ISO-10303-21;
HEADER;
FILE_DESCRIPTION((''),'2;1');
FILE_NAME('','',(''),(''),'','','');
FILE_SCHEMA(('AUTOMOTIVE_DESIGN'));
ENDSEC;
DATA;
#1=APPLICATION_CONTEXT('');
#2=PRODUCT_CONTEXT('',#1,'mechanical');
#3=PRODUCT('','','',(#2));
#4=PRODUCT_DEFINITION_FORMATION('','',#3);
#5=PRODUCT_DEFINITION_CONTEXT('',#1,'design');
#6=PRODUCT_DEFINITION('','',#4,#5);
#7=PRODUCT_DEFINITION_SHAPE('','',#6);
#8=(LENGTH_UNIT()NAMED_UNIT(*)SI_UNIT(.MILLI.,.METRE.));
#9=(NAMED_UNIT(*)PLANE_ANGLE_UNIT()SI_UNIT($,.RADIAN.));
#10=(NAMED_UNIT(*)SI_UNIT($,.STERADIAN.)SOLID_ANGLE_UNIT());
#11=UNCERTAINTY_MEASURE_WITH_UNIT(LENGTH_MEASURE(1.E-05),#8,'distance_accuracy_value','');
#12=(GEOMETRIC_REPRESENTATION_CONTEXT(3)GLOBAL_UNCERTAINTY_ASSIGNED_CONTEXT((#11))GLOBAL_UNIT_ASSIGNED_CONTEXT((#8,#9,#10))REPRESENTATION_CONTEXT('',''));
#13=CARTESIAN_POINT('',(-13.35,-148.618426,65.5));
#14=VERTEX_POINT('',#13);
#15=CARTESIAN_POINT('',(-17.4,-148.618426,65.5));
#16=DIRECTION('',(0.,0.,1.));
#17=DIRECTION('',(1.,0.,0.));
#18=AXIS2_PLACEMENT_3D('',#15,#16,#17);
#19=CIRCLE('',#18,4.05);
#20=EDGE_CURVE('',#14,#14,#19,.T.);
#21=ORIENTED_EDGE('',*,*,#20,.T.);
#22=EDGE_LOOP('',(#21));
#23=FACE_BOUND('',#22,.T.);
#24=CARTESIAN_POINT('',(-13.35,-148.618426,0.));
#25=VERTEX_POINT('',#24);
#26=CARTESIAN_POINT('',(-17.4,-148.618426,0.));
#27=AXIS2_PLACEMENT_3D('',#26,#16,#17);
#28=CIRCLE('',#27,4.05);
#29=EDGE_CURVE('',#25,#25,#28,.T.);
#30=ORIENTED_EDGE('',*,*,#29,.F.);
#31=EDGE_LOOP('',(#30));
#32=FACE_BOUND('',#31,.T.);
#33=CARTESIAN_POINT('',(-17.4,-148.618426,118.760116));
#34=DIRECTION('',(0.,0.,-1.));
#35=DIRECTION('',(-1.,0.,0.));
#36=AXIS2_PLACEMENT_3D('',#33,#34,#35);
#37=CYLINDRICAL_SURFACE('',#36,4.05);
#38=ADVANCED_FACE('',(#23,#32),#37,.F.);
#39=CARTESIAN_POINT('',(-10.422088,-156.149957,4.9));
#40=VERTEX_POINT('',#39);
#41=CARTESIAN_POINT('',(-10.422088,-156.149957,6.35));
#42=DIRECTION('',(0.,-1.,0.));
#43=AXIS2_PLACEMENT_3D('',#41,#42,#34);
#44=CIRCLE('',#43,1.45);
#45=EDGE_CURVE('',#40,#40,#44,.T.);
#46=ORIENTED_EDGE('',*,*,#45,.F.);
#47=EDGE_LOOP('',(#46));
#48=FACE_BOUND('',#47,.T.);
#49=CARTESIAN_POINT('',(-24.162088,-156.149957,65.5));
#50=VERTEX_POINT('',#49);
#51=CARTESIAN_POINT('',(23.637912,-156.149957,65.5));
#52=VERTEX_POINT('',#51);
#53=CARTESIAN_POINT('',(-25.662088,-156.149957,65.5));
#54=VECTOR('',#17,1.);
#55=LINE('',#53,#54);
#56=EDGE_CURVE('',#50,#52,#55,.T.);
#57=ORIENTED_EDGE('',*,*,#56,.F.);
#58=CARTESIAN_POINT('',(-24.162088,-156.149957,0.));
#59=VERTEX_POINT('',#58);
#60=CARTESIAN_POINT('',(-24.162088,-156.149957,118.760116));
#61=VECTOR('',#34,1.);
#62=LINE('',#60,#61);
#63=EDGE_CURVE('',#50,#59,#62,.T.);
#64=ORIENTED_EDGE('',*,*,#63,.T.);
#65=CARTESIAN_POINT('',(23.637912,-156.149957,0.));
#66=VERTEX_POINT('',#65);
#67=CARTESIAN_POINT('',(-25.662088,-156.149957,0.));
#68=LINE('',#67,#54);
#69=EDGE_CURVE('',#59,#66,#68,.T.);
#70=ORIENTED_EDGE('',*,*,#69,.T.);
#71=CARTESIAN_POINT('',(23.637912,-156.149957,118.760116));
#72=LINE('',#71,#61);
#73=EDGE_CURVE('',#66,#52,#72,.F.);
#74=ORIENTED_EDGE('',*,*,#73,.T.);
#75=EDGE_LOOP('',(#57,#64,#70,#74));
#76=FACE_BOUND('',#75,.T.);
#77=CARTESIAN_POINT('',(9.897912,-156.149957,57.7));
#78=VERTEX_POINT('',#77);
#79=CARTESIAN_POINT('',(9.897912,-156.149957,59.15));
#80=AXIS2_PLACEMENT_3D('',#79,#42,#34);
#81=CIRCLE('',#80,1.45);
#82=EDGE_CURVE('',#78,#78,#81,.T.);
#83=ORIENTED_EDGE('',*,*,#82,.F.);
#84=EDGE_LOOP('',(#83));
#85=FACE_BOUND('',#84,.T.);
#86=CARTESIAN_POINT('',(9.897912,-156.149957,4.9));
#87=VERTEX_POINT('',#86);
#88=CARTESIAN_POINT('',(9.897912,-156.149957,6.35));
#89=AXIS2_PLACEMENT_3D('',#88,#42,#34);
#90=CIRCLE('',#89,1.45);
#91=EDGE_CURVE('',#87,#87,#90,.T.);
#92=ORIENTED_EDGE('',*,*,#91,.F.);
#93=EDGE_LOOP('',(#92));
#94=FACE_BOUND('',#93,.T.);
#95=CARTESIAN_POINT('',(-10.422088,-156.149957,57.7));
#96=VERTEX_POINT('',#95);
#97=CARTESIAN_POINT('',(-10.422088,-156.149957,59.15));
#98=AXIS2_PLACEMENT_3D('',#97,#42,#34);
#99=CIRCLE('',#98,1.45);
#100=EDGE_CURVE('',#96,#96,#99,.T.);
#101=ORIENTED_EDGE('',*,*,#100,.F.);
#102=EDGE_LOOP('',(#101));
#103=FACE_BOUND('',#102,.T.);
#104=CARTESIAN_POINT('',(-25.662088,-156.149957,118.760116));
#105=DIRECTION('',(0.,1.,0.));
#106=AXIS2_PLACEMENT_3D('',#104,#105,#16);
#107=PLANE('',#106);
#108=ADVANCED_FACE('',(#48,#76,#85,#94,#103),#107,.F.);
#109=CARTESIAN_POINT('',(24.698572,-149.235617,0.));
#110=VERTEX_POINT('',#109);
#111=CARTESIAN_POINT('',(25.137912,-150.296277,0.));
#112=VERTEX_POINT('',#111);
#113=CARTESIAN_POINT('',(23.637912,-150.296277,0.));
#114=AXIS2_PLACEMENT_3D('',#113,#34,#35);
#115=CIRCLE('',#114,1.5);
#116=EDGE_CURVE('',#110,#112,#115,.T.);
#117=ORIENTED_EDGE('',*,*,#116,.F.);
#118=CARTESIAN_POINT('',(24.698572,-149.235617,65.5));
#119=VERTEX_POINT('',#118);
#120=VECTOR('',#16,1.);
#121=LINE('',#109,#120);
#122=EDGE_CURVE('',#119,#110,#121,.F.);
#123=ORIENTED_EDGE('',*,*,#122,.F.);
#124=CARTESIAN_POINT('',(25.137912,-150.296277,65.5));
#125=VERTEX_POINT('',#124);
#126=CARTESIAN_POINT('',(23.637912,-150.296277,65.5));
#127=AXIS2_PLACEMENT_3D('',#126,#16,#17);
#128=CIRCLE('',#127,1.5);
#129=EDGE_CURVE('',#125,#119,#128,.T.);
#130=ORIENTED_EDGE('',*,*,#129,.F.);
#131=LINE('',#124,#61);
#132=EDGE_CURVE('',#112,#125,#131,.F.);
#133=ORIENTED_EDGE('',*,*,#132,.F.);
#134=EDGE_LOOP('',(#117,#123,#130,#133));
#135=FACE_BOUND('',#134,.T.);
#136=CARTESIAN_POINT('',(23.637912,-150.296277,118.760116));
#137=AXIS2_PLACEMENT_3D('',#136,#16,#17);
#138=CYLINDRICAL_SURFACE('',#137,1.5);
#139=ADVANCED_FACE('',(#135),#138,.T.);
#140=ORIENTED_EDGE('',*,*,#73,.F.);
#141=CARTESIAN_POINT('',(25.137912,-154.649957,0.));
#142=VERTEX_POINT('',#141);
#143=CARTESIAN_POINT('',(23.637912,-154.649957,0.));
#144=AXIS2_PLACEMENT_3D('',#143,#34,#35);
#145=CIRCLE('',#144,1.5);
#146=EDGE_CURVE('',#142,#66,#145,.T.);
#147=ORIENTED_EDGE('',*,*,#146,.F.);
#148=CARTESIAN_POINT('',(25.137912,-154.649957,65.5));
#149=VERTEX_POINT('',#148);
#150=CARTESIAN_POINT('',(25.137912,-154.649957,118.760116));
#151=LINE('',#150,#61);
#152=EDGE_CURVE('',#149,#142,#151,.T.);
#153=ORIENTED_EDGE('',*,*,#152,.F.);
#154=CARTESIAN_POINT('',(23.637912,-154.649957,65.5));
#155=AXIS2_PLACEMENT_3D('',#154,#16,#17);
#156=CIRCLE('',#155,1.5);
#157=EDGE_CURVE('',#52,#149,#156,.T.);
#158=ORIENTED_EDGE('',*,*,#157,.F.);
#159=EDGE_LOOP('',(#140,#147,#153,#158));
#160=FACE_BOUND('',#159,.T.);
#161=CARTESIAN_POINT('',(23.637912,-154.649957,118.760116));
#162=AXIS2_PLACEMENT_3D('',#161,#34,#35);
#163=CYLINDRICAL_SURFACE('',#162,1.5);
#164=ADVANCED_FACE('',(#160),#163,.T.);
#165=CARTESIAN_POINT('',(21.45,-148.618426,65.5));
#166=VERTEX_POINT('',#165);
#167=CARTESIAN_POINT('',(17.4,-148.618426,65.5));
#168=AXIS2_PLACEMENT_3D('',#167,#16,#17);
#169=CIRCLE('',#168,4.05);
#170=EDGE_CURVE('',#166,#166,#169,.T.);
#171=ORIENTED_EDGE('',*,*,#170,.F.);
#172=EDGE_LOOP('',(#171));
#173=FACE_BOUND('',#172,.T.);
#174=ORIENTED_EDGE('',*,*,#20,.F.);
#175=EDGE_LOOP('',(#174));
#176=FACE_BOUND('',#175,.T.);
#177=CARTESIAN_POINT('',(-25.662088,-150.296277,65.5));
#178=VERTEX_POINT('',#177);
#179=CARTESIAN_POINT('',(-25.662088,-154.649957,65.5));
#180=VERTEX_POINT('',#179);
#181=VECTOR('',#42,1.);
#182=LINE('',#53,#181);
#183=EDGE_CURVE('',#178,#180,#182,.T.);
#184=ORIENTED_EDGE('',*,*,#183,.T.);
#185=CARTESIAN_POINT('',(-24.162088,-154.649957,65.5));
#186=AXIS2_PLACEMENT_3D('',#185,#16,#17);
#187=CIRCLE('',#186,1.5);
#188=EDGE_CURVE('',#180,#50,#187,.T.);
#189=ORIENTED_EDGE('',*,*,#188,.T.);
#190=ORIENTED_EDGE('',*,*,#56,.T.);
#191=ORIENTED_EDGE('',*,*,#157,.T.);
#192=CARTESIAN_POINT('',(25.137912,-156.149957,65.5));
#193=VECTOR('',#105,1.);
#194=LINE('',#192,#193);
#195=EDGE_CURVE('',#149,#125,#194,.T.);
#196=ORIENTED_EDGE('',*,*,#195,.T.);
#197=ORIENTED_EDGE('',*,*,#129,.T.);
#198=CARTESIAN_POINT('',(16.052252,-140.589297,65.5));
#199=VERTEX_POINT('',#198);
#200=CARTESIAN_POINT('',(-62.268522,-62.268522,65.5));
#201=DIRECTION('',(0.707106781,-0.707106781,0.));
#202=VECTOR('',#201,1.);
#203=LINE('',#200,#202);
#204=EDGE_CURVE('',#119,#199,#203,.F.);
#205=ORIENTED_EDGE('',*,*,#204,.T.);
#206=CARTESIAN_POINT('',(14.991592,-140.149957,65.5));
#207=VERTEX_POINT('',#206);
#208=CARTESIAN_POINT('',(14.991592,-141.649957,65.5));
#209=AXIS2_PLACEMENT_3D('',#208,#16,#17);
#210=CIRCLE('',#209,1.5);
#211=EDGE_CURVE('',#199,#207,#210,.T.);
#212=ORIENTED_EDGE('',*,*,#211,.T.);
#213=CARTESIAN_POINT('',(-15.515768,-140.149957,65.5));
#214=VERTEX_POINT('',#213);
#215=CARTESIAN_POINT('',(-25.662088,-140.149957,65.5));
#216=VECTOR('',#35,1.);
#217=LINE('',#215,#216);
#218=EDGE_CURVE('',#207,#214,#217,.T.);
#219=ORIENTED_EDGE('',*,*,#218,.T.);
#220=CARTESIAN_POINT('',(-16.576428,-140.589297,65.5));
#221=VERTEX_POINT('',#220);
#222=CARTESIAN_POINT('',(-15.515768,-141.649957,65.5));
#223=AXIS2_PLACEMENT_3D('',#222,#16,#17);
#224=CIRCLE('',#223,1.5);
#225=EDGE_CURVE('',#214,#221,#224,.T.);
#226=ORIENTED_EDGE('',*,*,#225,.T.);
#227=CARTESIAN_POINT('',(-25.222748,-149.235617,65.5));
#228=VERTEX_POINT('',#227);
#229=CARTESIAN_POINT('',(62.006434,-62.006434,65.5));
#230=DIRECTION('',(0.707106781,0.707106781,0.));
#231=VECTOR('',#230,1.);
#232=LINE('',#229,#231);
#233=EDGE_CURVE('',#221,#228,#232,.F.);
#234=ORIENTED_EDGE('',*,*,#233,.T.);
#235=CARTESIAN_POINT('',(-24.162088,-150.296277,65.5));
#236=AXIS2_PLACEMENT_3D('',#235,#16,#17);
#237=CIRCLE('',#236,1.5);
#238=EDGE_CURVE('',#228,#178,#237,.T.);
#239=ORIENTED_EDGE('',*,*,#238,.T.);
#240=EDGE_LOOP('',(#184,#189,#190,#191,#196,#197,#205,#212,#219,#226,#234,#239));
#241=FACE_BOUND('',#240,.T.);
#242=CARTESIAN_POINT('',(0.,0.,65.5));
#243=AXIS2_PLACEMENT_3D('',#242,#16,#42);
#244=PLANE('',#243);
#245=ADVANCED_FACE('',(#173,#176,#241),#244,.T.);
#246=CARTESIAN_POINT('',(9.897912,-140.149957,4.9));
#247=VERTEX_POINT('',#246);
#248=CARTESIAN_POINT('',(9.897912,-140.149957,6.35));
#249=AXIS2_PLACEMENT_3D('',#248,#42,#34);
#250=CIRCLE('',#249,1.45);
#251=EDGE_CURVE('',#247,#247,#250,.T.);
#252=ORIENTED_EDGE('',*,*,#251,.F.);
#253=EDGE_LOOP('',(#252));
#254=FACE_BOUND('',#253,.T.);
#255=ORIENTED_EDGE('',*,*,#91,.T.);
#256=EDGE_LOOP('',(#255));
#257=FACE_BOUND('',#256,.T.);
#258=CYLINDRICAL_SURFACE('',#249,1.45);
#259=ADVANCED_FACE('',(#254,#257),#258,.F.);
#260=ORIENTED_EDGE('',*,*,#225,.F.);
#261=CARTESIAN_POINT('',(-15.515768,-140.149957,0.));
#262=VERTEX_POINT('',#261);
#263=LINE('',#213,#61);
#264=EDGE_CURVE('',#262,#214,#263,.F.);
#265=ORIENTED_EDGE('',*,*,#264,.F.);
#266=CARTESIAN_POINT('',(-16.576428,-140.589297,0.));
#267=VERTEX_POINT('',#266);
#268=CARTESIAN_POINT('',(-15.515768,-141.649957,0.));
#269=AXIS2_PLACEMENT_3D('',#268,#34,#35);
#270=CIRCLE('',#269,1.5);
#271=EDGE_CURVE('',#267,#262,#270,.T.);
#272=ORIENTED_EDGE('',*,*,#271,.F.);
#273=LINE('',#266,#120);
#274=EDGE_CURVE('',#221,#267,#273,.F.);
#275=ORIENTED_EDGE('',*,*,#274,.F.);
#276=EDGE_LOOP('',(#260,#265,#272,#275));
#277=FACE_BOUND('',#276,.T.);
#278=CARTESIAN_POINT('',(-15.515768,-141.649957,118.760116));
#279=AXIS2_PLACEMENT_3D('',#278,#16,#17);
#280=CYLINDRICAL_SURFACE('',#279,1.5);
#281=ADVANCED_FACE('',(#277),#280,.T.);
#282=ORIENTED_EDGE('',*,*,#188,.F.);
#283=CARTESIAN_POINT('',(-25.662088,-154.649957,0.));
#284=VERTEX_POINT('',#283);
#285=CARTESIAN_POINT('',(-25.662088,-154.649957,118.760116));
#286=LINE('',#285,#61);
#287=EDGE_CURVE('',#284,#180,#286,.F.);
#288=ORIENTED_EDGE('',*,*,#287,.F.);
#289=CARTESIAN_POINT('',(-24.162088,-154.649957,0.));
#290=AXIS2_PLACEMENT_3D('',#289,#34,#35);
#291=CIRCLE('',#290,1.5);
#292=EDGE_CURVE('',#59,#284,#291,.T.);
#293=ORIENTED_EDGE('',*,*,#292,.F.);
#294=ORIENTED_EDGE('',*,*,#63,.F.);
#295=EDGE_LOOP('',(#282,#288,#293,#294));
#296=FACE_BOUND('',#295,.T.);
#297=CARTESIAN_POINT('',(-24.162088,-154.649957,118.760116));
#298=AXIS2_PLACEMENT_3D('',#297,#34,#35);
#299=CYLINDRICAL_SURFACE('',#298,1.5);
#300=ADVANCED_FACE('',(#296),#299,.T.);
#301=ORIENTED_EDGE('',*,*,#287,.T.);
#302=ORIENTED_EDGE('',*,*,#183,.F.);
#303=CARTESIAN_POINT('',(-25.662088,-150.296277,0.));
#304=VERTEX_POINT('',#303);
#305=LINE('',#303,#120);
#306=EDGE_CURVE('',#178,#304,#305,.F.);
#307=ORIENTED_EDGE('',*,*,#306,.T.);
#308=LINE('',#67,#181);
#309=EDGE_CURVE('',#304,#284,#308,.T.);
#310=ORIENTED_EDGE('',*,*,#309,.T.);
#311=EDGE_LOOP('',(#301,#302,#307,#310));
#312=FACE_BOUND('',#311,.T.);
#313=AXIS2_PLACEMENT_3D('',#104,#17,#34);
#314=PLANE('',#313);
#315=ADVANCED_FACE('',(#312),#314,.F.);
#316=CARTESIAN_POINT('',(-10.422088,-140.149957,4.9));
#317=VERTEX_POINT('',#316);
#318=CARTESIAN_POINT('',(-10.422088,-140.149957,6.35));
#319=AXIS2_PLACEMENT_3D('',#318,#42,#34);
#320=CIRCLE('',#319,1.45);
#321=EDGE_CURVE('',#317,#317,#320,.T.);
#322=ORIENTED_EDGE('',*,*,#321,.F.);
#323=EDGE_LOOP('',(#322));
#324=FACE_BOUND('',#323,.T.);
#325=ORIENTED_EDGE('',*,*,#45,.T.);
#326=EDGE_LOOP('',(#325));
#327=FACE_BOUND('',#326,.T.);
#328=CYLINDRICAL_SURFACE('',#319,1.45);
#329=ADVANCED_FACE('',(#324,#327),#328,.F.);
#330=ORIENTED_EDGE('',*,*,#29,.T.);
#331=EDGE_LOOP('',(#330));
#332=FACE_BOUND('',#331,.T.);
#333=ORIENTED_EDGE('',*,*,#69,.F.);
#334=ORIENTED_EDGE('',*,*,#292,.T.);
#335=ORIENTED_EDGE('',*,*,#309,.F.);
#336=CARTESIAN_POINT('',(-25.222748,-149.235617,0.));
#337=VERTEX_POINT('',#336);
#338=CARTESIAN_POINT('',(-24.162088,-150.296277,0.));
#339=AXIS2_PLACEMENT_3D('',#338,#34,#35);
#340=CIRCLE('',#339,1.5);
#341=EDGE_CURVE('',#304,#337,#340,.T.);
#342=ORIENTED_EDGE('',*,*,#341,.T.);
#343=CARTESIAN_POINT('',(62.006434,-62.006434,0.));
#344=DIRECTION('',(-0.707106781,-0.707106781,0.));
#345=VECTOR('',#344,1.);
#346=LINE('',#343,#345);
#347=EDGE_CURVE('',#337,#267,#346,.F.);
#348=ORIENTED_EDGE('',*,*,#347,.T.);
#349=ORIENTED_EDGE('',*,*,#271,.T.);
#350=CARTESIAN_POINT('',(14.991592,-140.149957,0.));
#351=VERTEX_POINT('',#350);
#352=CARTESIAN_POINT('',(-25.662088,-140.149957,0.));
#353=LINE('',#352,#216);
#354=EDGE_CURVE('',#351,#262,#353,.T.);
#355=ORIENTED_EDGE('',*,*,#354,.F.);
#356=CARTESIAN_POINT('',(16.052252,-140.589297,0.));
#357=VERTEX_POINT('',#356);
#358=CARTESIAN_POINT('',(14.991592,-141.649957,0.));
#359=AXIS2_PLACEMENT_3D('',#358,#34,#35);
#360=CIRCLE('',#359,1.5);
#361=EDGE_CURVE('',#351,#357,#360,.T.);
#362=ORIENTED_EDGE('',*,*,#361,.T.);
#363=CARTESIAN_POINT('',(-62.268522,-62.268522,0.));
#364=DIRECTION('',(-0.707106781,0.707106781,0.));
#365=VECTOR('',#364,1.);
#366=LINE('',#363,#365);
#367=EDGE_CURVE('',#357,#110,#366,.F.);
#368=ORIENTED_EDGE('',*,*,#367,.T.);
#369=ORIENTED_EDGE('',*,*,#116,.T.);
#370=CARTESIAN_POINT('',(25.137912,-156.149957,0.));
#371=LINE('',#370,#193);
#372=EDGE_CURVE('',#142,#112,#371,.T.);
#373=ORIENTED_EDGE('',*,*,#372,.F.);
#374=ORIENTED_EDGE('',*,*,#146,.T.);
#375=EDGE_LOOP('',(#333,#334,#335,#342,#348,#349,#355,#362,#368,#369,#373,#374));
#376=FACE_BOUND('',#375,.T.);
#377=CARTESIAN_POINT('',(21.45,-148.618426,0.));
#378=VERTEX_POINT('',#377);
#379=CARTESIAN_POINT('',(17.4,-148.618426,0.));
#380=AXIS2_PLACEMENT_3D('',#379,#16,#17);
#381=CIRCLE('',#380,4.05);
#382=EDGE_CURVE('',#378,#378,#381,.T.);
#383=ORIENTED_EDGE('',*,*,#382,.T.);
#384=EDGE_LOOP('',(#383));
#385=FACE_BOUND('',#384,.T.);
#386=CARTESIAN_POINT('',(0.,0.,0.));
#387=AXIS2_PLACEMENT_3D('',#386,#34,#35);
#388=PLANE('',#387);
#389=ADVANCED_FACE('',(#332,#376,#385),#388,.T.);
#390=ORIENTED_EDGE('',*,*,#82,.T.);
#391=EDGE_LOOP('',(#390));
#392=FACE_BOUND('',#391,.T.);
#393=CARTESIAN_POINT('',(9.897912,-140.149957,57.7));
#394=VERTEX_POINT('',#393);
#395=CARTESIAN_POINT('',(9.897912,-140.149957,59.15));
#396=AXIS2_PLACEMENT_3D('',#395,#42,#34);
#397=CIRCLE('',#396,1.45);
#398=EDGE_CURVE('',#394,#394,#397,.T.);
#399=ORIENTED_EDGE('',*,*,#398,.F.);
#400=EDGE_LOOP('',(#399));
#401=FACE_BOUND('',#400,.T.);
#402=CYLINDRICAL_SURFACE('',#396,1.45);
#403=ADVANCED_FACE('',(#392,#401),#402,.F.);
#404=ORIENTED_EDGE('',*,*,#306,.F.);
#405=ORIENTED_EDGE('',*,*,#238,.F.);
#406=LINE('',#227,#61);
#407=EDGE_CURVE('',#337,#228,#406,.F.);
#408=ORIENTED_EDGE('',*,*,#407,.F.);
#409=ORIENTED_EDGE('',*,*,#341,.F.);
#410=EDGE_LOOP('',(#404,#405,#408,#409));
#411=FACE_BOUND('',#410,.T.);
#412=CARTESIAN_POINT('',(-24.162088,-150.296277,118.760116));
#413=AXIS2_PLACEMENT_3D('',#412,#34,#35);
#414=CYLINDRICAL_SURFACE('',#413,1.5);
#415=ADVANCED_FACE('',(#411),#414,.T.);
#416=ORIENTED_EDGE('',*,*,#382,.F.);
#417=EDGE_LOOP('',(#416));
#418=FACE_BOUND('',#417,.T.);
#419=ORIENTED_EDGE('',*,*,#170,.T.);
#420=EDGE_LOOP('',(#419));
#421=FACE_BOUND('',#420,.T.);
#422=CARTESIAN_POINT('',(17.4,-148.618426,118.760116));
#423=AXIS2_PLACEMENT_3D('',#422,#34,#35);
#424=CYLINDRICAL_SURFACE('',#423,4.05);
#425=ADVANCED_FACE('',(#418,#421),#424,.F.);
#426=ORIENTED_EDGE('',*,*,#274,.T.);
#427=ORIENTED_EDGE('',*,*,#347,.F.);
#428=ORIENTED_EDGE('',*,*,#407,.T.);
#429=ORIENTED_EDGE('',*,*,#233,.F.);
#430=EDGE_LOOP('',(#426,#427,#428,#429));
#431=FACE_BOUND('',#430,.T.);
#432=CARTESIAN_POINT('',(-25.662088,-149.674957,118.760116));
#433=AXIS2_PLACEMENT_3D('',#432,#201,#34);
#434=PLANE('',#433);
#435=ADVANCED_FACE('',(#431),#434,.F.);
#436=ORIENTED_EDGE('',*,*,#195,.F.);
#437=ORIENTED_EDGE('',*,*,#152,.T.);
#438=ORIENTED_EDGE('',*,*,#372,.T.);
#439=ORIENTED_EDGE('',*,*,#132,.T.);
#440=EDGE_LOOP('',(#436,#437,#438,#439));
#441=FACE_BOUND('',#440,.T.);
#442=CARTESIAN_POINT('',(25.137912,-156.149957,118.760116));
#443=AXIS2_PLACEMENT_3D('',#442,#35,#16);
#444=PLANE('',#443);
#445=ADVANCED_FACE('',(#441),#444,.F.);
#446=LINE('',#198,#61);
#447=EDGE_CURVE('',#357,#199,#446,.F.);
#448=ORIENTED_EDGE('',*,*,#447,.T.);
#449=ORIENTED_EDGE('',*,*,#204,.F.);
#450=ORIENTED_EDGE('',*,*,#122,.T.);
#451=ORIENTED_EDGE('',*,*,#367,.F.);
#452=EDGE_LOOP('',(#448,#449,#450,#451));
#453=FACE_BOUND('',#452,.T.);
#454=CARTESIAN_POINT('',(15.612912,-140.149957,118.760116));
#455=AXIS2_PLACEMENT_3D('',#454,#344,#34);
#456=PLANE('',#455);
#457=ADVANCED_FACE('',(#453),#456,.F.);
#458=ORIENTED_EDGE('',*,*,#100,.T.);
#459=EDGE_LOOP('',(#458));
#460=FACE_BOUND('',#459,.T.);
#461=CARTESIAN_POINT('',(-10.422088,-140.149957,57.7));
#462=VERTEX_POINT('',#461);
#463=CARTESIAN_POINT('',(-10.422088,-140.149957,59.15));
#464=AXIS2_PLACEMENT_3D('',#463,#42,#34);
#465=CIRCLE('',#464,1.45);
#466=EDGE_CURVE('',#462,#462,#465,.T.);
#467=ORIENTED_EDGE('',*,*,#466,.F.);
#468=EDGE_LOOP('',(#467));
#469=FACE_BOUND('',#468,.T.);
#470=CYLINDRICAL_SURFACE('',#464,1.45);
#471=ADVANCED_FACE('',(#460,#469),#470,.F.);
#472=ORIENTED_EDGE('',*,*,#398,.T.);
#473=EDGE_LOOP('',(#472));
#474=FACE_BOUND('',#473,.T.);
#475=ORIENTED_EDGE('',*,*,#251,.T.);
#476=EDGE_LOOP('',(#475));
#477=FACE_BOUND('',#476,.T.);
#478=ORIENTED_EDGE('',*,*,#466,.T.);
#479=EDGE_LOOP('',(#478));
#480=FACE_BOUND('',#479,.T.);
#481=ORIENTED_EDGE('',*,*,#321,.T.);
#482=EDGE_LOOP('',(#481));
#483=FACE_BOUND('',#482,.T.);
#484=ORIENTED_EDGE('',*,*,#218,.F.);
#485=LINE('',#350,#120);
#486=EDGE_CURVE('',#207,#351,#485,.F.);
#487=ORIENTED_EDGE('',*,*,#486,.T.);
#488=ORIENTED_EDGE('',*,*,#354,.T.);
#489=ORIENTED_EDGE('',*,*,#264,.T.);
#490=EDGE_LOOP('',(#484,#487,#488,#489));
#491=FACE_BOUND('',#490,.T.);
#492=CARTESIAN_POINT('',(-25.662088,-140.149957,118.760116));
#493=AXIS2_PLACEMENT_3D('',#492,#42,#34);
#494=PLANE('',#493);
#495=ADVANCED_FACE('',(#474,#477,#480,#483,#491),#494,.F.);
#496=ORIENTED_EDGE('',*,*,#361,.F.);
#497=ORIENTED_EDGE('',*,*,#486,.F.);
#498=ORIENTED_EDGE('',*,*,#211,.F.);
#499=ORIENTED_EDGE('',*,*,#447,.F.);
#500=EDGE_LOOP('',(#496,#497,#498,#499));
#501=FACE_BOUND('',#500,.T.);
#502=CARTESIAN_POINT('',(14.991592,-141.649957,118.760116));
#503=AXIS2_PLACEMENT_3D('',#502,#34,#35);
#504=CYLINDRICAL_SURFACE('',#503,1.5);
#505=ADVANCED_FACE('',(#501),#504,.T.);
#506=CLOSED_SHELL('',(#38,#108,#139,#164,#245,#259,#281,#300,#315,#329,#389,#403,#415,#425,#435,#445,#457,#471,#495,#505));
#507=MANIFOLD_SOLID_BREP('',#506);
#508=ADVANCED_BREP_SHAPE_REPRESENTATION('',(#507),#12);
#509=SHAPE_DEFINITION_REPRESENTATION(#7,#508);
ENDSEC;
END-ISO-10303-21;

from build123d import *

# Parameters (mm, degrees)
SKETCH1_W           = 50.8
SKETCH1_H           = 16
SKETCH1_R           = 4.05
BOSS_EXTRUDE1_DEPTH = 65.5
FILLET1_R           = 1.5
CHAMFER1_SIZE       = 9.525
FILLET2_R           = 1.5
SKETCH3_R           = 1.45
CUT_EXTRUDE1_DEPTH  = 17


with BuildPart() as part:
    # Sketch1 → Boss-Extrude1 (new body)
    with BuildSketch(Plane.XY):
        with Locations((-0.262087977, -148.149956673)):
            Rectangle(SKETCH1_W, SKETCH1_H)
        with Locations((-17.4, -148.618426491)):
            Circle(SKETCH1_R, mode=Mode.SUBTRACT)
        with Locations((17.4, -148.618426491)):
            Circle(SKETCH1_R, mode=Mode.SUBTRACT)
    extrude(amount=BOSS_EXTRUDE1_DEPTH)

    # Fillet1
    fillet1_edges = [part.edges().sort_by_distance(p)[0] for p in [
        (25.137912023, -156.149956673, 32.75),
        (-25.662087977, -156.149956673, 32.75),
    ]]
    fillet(fillet1_edges, radius=FILLET1_R)

    # Chamfer1
    chamfer1_edges = [part.edges().sort_by_distance(p)[0] for p in [
        (-25.662087977, -140.149956673, 32.75),
        (25.137912023, -140.149956673, 32.75),
    ]]
    chamfer(chamfer1_edges, length=CHAMFER1_SIZE)

    # Fillet2
    fillet2_edges = [part.edges().sort_by_distance(p)[0] for p in [
        (-16.137087977, -140.149956673, 32.75),
        (15.612912023, -140.149956673, 32.75),
        (25.137912023, -149.674956673, 32.75),
        (-25.662087977, -149.674956673, 32.75),
    ]]
    fillet(fillet2_edges, radius=FILLET2_R)

    # Sketch3 → Cut-Extrude1 (cut, through all)
    with BuildSketch(Plane.XZ.offset(156.149956673)):
        with Locations((-10.422087977, 59.15)):
            Circle(SKETCH3_R)
        with Locations((9.897912023, 59.15)):
            Circle(SKETCH3_R)
        with Locations((-10.422087977, 6.35)):
            Circle(SKETCH3_R)
        with Locations((9.897912023, 6.35)):
            Circle(SKETCH3_R)
    extrude(amount=-CUT_EXTRUDE1_DEPTH, mode=Mode.SUBTRACT)


solid = part.part
